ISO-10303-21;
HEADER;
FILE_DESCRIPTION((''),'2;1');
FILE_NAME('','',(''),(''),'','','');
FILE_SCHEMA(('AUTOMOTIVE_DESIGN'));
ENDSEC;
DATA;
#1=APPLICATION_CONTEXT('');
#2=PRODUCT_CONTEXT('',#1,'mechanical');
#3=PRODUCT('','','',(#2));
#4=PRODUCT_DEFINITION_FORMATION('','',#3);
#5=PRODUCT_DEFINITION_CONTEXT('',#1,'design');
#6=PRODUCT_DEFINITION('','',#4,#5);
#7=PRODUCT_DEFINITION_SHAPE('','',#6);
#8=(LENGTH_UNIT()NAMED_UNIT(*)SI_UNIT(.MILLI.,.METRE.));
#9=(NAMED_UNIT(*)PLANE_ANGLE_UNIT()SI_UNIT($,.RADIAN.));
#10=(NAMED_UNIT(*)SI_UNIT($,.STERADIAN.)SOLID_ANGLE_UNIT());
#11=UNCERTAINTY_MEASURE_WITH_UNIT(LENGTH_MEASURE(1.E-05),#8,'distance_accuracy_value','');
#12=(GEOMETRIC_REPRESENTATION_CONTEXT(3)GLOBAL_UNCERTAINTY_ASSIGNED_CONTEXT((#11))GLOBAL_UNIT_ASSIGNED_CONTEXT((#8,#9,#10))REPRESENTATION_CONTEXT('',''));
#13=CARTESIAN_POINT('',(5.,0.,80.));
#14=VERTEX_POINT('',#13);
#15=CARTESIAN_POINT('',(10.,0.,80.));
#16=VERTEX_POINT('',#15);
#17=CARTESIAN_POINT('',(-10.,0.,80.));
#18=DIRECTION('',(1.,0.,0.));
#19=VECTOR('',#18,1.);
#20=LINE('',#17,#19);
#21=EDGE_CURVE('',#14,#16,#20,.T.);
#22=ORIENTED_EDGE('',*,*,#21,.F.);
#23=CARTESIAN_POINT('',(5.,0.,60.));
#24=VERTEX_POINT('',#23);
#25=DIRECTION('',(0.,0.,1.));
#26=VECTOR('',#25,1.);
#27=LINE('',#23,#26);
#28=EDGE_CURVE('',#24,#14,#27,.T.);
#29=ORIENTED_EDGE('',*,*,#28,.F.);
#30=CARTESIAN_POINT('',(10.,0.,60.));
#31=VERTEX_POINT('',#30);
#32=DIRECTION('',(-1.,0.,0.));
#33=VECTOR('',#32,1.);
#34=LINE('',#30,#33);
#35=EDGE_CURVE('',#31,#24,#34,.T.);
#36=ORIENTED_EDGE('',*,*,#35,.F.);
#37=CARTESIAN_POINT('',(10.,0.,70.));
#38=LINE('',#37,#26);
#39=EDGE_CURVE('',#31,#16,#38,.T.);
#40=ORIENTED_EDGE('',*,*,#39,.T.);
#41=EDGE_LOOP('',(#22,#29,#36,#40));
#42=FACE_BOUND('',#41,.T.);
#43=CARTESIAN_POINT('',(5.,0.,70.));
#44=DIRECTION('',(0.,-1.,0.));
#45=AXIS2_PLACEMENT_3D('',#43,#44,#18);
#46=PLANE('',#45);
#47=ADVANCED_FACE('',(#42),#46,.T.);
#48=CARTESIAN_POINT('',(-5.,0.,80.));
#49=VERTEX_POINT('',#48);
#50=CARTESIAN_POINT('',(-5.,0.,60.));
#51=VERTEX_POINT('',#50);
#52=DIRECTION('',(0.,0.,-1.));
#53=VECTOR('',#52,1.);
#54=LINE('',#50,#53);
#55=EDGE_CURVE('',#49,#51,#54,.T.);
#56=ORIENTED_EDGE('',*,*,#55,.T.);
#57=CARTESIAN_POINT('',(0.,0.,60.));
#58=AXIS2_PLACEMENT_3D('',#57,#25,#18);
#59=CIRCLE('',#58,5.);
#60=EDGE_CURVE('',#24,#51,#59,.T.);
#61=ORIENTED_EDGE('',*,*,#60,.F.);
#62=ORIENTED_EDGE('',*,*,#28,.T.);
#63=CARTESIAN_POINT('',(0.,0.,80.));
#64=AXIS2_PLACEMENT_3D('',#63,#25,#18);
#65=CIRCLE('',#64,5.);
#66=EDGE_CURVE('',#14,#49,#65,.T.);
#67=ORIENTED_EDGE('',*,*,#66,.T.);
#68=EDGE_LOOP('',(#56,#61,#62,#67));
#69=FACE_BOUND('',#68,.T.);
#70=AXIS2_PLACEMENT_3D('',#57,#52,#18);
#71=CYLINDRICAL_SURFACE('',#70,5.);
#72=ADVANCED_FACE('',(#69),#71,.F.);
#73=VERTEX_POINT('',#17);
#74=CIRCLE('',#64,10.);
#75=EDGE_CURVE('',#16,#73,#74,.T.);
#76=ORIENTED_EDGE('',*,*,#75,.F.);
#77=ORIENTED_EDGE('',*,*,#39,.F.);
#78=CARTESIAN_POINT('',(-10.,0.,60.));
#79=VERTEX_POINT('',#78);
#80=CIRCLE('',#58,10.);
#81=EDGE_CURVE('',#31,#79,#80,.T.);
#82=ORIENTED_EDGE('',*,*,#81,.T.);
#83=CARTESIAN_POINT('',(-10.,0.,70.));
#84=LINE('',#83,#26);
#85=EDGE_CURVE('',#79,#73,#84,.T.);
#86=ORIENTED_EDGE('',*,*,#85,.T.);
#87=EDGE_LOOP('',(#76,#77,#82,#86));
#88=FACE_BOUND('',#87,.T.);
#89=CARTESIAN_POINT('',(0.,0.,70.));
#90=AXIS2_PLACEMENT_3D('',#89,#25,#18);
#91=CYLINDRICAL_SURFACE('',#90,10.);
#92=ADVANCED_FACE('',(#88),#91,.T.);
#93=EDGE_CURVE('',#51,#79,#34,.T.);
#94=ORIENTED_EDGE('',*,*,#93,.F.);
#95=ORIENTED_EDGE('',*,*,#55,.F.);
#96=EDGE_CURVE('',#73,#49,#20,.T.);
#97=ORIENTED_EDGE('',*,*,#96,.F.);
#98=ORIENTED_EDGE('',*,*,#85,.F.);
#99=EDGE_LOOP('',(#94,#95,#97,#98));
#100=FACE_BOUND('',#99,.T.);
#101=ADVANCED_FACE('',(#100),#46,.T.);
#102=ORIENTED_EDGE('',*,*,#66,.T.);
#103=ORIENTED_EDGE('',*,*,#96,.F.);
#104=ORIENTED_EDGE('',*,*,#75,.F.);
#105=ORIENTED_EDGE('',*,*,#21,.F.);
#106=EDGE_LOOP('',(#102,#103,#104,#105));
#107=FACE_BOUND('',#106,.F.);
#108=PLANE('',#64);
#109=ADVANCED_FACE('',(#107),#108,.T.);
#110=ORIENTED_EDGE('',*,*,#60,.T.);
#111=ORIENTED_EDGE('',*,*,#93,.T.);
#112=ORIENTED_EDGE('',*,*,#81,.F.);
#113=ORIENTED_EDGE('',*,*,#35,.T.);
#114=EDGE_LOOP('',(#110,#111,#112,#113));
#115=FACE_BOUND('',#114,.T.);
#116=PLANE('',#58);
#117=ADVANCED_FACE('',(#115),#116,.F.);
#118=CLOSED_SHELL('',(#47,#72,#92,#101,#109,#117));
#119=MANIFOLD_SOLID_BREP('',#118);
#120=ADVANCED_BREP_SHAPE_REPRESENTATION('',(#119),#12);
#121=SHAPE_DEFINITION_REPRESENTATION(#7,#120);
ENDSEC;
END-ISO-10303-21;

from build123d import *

# Parameters (mm, degrees)
CYLINDER003_R     = 5
CYLINDER003_DEPTH = 20
CYLINDER002_W     = 10
CYLINDER002_H     = 20
CYLINDER002_ANGLE = 180


with BuildPart() as cylinder003:
    # Cylinder003 → Cylinder003 (new body)
    with BuildSketch(Plane.XY):
        Circle(CYLINDER003_R)
    extrude(amount=CYLINDER003_DEPTH)


with BuildPart() as cut:
    # Cylinder002 → Cylinder002 (revolve)
    with BuildSketch(Plane.XZ):
        with Locations((5, 10)):
            Rectangle(CYLINDER002_W, CYLINDER002_H)
    revolve(axis=Axis((0, 0, 0), (0, 0, 1)), revolution_arc=CYLINDER002_ANGLE)

    # Cut: cut Cylinder003
    add(cylinder003.part, mode=Mode.SUBTRACT)


with BuildPart() as cut_1:
    # Cut placement: moved
    add(cut.part.moved(Location((0, 0, 60))))


solid = cut_1.part
